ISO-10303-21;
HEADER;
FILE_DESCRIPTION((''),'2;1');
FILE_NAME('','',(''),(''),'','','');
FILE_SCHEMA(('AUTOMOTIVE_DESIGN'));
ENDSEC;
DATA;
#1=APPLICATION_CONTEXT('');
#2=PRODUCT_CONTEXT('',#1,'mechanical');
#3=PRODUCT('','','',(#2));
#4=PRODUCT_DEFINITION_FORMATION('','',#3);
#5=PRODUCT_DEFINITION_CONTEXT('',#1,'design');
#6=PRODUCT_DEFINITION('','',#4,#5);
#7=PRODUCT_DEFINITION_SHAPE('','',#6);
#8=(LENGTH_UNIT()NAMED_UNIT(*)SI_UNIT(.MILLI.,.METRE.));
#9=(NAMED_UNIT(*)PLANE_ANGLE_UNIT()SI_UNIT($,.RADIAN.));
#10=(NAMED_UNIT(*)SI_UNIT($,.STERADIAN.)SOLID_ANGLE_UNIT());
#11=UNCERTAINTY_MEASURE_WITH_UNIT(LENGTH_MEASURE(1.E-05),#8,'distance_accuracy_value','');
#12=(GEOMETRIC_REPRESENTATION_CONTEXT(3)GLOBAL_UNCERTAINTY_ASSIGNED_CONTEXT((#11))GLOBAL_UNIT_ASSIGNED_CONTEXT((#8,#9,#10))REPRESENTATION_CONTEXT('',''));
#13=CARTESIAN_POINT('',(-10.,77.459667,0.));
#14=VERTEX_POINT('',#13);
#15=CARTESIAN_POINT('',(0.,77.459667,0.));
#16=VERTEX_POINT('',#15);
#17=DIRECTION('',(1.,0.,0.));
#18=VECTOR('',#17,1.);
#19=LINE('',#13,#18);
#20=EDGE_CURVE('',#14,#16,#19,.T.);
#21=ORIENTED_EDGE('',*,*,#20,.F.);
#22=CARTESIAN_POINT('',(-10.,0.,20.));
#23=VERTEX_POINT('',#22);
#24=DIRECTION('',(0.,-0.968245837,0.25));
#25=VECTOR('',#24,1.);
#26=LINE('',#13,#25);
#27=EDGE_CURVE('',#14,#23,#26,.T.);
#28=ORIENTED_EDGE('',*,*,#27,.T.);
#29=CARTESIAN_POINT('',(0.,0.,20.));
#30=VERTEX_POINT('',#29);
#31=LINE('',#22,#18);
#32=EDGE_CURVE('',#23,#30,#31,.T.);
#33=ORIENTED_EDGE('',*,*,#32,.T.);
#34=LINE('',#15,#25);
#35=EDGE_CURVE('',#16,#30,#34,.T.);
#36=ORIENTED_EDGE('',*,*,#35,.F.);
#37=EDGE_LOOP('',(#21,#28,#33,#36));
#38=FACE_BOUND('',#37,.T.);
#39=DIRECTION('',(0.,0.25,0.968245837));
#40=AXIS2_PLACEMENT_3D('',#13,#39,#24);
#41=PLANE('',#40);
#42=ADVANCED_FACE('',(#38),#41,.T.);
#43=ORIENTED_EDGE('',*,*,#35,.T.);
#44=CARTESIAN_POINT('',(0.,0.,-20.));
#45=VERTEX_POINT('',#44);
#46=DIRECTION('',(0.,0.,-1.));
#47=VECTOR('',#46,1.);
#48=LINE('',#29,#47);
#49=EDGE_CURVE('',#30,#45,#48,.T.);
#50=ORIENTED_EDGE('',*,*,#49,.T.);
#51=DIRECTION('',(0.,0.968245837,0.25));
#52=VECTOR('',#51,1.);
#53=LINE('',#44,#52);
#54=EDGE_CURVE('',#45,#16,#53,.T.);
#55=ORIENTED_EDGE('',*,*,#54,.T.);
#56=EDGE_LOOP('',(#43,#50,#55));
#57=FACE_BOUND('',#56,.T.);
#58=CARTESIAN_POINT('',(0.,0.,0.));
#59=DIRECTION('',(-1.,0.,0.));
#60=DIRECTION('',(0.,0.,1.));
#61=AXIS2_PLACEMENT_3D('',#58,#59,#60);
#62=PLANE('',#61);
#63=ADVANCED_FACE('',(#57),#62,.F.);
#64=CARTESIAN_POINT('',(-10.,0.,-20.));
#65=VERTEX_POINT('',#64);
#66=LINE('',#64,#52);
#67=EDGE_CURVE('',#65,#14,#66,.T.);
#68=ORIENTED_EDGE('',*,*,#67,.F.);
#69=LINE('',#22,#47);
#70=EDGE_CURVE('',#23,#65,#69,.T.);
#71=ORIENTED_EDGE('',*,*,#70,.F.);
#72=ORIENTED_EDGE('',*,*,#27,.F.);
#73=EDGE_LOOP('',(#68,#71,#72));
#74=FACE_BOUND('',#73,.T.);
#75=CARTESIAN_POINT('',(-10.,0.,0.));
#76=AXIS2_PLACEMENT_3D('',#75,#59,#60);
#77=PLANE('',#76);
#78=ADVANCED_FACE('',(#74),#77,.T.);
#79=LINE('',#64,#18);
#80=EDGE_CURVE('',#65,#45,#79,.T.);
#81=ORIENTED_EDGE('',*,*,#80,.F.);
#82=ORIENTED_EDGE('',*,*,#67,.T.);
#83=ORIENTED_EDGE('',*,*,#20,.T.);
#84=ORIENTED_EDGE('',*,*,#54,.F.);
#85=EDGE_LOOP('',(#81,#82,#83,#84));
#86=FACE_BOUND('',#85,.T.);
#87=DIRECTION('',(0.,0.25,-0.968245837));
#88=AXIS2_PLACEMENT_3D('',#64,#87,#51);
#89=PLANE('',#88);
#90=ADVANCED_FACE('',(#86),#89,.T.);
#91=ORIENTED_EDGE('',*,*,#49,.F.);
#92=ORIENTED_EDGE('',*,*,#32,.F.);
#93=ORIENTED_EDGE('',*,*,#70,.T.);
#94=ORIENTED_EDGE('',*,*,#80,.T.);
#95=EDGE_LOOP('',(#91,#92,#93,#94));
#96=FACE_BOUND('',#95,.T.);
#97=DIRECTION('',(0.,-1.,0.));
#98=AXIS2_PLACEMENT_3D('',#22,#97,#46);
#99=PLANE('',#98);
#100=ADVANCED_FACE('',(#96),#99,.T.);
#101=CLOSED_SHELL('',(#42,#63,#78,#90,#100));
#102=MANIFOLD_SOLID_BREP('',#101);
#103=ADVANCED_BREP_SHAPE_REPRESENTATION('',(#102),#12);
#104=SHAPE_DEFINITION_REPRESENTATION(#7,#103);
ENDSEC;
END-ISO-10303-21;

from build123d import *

# Parameters (mm, degrees)
BOSS_EXTRU_1_DEPTH = 10


with BuildPart() as part:
    # Esquisse2 → Boss.-Extru.1 (new body)
    with BuildSketch(Plane(origin=(0, 0, 0), x_dir=(0, 0, -1), z_dir=(1, 0, 0))):
        Polygon((0, 77.459666924), (-20, 0), (20, 0), align=None)
    extrude(amount=-BOSS_EXTRU_1_DEPTH)


solid = part.part
